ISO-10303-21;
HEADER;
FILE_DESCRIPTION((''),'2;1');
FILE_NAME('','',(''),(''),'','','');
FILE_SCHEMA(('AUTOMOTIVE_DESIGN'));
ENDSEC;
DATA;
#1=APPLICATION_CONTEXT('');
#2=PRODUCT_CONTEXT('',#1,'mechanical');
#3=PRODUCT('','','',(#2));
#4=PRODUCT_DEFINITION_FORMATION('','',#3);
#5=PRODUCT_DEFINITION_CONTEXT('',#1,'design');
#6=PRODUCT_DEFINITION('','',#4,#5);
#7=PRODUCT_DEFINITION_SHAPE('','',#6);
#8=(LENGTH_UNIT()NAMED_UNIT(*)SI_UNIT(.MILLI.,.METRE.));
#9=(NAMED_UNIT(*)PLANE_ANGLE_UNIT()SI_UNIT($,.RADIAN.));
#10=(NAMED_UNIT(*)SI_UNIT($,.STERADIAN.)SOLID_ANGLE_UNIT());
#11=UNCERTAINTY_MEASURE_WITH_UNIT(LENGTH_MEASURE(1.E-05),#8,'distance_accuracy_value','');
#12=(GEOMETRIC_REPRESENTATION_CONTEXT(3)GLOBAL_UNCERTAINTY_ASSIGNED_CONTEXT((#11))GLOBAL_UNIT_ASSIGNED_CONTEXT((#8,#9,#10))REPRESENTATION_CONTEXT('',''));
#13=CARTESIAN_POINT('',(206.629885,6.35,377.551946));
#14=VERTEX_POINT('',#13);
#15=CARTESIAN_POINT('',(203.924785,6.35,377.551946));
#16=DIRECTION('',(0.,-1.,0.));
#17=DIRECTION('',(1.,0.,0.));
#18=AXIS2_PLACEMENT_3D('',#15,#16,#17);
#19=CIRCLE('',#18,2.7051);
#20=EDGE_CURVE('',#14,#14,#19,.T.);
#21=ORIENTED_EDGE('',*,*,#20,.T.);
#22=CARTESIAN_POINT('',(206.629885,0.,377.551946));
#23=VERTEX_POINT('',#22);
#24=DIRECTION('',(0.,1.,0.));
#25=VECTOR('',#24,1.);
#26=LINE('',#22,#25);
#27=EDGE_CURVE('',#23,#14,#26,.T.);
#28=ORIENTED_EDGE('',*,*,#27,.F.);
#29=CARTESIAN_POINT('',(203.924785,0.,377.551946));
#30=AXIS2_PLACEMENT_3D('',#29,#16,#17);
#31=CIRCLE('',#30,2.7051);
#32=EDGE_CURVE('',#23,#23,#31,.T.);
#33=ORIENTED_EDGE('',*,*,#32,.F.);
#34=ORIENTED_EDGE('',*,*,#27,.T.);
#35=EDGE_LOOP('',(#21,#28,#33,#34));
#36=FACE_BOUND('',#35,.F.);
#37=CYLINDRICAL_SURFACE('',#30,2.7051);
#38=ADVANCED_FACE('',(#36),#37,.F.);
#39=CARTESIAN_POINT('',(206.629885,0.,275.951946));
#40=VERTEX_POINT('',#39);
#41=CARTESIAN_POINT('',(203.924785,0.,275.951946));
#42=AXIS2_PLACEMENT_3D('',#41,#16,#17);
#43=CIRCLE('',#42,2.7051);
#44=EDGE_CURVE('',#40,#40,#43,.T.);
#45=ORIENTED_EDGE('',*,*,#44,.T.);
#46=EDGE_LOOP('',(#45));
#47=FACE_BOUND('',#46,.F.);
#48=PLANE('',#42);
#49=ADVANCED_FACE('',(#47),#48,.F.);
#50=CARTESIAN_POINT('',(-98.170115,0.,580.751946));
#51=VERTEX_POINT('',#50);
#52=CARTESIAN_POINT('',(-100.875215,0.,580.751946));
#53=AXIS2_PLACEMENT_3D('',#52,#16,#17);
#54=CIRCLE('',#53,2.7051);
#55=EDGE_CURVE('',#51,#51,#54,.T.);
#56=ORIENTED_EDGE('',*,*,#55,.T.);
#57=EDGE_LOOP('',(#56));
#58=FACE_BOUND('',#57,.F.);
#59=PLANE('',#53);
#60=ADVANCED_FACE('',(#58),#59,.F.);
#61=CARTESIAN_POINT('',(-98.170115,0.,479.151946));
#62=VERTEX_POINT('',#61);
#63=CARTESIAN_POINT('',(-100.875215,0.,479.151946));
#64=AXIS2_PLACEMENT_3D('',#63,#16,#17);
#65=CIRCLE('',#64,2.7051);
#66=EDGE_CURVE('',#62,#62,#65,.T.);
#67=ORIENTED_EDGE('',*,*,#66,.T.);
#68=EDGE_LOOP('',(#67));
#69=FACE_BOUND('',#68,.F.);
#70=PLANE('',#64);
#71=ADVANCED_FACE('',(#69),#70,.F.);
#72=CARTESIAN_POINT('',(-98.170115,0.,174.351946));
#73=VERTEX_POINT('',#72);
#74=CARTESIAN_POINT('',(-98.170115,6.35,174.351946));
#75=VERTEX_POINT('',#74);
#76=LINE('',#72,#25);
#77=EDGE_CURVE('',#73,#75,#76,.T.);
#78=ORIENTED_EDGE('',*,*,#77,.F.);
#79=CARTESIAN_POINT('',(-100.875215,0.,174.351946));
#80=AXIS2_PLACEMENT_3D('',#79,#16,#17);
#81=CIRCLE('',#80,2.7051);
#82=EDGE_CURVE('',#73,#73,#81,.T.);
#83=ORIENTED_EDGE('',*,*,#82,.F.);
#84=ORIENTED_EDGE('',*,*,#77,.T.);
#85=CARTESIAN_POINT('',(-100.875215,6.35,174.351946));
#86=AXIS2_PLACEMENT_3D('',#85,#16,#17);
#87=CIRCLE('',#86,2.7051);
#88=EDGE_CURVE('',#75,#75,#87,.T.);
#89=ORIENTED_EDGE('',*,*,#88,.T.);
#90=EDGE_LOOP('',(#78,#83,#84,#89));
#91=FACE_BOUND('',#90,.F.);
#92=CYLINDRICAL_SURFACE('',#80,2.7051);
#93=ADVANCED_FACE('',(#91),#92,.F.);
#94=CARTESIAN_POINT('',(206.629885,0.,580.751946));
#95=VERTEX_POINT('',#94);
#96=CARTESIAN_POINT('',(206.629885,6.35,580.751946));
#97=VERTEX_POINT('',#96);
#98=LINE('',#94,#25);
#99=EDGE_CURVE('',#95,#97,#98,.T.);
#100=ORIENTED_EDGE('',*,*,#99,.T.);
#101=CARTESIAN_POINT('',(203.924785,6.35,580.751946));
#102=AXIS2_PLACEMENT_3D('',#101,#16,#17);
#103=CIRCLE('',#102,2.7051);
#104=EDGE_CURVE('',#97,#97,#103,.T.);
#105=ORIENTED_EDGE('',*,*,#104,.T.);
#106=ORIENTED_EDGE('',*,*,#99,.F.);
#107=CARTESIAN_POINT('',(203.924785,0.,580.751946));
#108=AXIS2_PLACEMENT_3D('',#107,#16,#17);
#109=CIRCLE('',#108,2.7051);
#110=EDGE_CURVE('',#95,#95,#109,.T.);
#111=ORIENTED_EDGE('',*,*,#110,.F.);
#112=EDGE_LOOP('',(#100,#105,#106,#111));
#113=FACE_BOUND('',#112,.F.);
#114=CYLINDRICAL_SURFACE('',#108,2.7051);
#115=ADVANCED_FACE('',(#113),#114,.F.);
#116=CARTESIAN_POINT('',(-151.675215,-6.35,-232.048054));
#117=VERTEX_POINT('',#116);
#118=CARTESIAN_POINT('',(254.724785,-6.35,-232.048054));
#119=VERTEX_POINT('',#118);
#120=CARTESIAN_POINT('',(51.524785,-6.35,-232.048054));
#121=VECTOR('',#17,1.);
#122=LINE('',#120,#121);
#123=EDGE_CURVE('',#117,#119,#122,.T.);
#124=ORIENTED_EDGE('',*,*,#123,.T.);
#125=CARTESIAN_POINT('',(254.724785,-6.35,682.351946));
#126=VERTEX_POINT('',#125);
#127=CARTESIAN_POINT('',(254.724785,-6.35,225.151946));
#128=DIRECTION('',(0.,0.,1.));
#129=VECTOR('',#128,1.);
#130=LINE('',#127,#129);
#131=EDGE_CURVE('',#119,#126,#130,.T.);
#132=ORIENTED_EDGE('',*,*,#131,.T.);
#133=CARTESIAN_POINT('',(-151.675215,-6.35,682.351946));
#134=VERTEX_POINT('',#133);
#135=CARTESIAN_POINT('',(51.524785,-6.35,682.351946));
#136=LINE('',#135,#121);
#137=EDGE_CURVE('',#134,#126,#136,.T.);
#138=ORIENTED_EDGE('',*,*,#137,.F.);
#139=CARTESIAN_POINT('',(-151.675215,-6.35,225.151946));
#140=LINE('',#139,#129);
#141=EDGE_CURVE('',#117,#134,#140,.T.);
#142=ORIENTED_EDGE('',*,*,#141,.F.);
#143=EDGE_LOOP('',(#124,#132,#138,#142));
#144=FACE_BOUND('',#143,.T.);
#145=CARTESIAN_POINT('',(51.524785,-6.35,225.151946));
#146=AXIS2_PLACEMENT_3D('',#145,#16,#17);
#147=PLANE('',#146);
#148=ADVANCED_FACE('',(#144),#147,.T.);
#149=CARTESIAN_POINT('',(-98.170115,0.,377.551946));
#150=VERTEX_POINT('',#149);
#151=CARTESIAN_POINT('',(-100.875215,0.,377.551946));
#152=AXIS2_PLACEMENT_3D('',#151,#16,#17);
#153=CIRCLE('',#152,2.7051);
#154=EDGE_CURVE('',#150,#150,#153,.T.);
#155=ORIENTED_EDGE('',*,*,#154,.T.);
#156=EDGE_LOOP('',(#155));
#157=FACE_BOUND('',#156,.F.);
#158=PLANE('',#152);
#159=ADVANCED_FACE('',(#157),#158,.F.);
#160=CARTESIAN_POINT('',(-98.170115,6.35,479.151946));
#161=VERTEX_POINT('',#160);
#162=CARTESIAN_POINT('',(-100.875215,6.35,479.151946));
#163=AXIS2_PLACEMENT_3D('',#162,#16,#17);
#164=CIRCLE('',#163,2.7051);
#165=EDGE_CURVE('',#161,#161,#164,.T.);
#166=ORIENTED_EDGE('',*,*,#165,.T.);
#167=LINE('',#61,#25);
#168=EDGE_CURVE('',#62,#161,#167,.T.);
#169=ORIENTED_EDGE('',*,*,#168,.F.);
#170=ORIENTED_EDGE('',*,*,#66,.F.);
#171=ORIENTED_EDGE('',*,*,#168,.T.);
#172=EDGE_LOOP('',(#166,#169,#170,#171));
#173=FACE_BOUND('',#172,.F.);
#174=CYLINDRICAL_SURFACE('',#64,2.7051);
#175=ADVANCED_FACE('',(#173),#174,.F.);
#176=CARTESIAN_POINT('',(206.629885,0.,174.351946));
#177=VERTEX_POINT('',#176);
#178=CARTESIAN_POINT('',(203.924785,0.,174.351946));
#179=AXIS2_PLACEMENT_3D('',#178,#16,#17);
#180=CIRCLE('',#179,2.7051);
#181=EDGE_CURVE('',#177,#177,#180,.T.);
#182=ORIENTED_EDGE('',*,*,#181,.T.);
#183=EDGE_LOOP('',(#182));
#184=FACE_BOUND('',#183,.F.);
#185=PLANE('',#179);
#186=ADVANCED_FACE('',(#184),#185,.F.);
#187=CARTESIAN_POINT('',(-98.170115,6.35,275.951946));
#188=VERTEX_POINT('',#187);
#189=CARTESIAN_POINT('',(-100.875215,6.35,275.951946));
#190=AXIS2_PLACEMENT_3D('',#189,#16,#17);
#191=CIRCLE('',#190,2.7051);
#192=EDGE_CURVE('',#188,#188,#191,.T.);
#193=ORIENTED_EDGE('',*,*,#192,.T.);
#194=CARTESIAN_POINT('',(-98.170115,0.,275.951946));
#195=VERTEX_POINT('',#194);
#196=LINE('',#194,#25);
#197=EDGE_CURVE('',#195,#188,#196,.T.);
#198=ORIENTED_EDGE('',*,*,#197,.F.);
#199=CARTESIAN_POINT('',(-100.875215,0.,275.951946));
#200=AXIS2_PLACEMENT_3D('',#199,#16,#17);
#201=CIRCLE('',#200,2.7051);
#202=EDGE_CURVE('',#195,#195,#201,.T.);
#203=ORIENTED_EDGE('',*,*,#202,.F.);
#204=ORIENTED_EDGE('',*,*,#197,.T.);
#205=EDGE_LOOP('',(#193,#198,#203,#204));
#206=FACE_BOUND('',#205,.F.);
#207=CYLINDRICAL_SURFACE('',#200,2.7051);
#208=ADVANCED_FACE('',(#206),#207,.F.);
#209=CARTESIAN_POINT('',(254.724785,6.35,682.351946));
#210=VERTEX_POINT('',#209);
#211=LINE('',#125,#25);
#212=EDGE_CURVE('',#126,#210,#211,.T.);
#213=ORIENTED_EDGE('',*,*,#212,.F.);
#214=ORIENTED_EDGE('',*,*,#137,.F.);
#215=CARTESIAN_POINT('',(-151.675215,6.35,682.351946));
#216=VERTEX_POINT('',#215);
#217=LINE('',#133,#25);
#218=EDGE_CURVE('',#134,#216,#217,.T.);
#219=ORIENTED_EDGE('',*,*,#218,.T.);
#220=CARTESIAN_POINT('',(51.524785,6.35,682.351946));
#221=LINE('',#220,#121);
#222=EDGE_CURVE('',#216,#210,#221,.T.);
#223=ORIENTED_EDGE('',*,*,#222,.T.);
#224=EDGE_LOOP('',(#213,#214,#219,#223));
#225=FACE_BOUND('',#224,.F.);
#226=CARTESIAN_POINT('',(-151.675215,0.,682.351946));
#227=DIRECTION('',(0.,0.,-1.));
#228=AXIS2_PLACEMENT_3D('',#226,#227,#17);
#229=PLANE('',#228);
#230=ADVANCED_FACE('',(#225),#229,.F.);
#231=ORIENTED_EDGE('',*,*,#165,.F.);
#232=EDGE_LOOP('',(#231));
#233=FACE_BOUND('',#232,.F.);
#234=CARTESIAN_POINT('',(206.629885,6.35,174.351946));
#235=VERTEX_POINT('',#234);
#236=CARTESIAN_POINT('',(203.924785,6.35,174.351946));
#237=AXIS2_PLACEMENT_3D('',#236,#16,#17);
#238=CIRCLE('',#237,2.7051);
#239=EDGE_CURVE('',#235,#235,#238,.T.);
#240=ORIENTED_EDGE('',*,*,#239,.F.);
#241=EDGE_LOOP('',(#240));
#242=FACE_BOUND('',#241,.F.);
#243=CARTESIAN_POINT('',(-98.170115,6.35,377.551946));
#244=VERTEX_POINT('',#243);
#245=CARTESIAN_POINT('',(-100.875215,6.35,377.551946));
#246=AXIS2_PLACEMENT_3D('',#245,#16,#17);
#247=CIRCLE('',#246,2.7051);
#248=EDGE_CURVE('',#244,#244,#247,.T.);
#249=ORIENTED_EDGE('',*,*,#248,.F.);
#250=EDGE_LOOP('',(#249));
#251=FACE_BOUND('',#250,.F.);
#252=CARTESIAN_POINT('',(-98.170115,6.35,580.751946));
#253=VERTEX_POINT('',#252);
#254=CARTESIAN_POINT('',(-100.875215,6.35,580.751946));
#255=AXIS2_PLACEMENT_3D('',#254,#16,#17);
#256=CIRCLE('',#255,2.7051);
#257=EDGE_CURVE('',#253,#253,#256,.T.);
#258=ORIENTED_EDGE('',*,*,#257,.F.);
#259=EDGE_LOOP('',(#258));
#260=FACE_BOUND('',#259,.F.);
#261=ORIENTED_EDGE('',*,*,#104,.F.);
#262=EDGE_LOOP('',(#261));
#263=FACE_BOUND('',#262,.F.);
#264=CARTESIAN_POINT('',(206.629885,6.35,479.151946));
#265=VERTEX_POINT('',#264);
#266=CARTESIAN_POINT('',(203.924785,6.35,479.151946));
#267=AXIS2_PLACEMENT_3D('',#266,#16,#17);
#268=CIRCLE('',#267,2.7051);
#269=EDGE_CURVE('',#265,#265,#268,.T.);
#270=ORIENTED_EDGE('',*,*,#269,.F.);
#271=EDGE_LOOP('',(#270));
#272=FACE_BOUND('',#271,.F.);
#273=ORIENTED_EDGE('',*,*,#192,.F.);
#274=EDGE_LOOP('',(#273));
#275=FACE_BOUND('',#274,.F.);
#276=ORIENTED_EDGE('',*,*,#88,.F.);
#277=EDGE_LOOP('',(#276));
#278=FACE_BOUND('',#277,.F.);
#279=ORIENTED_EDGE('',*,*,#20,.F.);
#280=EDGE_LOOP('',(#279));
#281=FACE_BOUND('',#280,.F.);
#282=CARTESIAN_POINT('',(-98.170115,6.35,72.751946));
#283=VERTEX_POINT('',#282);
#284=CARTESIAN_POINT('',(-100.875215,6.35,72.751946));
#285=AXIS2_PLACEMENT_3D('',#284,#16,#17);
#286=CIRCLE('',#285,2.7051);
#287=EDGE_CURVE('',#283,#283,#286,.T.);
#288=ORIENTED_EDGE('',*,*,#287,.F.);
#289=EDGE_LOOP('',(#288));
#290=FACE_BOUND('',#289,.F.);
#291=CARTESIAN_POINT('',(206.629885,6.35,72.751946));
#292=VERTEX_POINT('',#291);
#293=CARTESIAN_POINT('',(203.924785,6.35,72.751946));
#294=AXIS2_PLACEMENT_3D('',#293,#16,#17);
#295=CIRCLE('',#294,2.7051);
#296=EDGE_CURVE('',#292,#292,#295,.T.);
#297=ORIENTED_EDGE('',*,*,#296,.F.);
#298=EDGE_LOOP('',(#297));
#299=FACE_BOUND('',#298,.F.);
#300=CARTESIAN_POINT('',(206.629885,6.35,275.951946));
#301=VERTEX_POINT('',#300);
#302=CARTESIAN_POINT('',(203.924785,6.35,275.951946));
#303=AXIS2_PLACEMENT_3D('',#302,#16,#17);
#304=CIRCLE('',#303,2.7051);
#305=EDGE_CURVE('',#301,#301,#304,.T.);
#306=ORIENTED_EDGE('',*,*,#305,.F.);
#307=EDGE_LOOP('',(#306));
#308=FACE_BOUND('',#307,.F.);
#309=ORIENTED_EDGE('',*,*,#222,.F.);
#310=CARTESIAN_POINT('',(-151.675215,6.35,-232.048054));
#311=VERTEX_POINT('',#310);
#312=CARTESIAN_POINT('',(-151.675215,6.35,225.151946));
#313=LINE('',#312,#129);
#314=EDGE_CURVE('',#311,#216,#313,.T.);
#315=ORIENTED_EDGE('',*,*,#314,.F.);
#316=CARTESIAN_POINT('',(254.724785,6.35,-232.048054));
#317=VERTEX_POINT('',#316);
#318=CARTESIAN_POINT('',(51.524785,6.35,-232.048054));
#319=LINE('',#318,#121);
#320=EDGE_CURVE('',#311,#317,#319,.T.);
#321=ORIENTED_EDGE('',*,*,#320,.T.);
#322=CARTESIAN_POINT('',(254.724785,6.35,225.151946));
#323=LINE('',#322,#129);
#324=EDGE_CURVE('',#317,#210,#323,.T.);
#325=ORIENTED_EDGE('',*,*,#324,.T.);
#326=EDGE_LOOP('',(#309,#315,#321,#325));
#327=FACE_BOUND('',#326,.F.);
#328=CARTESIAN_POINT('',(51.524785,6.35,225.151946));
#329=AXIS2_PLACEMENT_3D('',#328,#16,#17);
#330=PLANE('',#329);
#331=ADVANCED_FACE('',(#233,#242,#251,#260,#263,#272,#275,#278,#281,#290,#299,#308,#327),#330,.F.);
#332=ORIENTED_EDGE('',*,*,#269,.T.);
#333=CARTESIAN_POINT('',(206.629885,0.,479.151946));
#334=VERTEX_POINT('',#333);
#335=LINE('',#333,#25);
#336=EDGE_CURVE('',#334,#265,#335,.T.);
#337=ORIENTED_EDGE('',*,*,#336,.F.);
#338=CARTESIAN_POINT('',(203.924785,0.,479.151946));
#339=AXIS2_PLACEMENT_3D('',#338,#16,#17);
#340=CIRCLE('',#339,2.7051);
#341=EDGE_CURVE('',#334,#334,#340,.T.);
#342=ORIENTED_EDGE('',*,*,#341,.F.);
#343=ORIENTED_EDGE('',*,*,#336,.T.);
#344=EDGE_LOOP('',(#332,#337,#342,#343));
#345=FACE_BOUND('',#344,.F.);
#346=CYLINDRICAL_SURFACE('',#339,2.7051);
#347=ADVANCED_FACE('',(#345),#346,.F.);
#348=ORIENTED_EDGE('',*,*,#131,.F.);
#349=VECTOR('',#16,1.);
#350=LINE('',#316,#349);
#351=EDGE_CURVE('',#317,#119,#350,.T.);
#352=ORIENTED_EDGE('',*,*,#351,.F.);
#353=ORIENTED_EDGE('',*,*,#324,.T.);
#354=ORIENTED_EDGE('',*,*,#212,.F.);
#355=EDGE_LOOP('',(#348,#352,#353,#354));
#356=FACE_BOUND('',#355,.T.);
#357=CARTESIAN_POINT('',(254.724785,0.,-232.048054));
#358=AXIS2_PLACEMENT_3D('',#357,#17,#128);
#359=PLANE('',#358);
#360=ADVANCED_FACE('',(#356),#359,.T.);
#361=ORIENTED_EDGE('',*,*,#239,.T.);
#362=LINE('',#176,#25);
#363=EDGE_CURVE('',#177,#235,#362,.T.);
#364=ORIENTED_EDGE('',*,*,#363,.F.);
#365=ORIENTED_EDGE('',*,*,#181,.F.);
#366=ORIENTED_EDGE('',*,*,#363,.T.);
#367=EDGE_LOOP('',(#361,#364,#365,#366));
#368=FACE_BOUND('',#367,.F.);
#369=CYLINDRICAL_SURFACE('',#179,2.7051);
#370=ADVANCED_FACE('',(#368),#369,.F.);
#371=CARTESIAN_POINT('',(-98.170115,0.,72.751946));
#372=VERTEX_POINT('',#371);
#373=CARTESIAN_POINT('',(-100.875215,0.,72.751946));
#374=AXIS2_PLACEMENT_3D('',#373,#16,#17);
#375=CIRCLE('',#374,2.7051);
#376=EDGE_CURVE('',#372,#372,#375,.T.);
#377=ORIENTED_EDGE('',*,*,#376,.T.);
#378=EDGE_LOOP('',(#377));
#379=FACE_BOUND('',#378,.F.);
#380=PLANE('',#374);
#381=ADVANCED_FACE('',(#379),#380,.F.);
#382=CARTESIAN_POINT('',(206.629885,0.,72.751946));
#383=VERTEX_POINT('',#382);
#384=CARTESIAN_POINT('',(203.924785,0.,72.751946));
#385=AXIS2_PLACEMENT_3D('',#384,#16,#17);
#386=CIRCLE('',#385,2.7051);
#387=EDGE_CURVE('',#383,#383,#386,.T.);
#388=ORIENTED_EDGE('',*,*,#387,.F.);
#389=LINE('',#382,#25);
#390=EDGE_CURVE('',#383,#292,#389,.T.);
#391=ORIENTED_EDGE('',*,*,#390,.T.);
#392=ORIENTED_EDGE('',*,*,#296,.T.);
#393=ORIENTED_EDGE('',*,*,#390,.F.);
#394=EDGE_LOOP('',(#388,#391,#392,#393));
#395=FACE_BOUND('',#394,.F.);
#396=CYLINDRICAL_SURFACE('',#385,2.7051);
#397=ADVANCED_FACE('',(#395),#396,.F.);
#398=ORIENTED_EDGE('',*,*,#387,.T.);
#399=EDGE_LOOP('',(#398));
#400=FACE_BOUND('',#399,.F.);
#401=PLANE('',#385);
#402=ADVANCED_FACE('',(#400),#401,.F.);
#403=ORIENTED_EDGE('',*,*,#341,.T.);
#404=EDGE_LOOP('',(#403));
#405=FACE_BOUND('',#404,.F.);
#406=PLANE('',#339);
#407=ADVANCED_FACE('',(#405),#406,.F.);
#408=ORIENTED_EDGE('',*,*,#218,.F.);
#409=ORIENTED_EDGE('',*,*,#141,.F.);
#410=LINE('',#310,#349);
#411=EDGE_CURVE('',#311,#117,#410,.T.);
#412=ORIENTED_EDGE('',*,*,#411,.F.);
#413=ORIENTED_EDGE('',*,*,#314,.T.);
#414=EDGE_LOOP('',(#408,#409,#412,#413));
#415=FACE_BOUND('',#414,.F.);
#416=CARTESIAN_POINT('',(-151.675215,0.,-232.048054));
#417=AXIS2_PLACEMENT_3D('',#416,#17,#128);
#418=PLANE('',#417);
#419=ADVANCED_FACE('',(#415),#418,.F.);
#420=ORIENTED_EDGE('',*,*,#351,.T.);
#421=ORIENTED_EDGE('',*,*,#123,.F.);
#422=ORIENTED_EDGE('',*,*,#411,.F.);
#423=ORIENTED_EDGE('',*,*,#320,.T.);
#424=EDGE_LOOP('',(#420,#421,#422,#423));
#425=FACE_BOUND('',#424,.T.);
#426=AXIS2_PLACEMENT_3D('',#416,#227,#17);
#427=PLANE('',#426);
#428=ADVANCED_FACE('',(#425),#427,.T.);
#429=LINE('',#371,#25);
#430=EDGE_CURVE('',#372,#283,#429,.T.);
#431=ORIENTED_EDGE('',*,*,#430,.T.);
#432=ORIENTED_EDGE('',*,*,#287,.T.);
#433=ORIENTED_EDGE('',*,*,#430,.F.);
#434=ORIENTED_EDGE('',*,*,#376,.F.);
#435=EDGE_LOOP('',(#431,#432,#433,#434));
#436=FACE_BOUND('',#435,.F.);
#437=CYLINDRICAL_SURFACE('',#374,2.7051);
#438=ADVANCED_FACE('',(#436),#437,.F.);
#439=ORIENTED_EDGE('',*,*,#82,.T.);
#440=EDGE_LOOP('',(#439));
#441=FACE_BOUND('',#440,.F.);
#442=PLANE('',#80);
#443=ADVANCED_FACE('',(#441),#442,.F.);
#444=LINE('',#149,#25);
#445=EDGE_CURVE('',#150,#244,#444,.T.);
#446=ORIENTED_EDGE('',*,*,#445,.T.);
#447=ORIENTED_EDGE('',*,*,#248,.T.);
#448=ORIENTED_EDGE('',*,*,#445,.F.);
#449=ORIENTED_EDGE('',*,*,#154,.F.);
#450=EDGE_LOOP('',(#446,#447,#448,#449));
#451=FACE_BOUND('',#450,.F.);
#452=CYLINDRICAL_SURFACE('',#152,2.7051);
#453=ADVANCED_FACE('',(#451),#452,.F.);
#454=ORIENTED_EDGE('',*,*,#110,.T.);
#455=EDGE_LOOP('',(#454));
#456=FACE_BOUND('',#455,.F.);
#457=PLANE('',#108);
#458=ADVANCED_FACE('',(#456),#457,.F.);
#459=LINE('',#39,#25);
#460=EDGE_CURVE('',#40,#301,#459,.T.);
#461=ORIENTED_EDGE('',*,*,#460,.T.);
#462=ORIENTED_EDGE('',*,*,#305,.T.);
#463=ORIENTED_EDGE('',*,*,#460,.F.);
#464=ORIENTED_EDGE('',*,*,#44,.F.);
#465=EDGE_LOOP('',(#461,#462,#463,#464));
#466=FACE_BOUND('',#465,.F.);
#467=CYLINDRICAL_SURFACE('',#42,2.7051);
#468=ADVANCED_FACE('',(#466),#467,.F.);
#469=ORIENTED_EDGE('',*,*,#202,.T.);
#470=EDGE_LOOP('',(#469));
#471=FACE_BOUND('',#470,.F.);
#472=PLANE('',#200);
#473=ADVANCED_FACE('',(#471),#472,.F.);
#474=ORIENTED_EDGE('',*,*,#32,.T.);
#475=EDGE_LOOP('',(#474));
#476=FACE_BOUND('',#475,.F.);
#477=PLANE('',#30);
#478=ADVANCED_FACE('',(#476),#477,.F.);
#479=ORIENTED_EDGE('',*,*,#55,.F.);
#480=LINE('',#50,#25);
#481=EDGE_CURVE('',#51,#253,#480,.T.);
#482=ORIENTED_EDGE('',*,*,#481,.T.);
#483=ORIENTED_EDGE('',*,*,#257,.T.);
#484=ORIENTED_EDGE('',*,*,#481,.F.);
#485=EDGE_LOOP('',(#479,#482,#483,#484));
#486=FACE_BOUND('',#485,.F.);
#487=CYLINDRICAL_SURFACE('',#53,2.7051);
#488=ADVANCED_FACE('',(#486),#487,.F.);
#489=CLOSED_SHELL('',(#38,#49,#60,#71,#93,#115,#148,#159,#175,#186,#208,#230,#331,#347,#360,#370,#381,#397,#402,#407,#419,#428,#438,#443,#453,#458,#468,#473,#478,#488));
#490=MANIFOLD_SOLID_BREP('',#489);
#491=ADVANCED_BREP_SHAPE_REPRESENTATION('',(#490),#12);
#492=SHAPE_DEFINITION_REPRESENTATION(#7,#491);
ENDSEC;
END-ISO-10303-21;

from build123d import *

# Parameters (mm, degrees)
F0_W     = 406.4
F0_H     = 914.4
F1_DEPTH = 6.35
F3_D     = 5.4102
F3_DEPTH = 9.525
F3_TIP   = 1.6253880605


with BuildPart() as f1:
    # F0 (on Front) → F1 (new body, symmetric)
    with BuildSketch(Plane.XZ):
        with Locations((51.5247850299, 225.151946281)):
            Rectangle(F0_W, F0_H)
    extrude(amount=F1_DEPTH, both=True)

    # F3 (one way)
    with BuildSketch(Plane.XZ):
        with Locations((-100.8752149701, 580.751946281), (-100.8752149701, 479.151946281), (-100.8752149701, 377.551946281), (-100.8752149701, 275.951946281), (-100.8752149701, 174.351946281), (-100.8752149701, 72.751946281), (203.9247850299, 72.751946281), (203.9247850299, 174.351946281), (203.9247850299, 275.951946281), (203.9247850299, 377.551946281), (203.9247850299, 479.151946281), (203.9247850299, 580.751946281)):
            Circle(F3_D / 2)
    extrude(amount=-F3_DEPTH, mode=Mode.SUBTRACT)
    with Locations(Plane.XZ):
        with Locations((-100.8752149701, 580.751946281), (-100.8752149701, 479.151946281), (-100.8752149701, 377.551946281), (-100.8752149701, 275.951946281), (-100.8752149701, 174.351946281), (-100.8752149701, 72.751946281), (203.9247850299, 72.751946281), (203.9247850299, 174.351946281), (203.9247850299, 275.951946281), (203.9247850299, 377.551946281), (203.9247850299, 479.151946281), (203.9247850299, 580.751946281)):
            with Locations((0, 0, -(F3_DEPTH + F3_TIP / 2))):  # 118° drill point
                Cone(0, F3_D / 2, F3_TIP, mode=Mode.SUBTRACT)


solid = f1.part
